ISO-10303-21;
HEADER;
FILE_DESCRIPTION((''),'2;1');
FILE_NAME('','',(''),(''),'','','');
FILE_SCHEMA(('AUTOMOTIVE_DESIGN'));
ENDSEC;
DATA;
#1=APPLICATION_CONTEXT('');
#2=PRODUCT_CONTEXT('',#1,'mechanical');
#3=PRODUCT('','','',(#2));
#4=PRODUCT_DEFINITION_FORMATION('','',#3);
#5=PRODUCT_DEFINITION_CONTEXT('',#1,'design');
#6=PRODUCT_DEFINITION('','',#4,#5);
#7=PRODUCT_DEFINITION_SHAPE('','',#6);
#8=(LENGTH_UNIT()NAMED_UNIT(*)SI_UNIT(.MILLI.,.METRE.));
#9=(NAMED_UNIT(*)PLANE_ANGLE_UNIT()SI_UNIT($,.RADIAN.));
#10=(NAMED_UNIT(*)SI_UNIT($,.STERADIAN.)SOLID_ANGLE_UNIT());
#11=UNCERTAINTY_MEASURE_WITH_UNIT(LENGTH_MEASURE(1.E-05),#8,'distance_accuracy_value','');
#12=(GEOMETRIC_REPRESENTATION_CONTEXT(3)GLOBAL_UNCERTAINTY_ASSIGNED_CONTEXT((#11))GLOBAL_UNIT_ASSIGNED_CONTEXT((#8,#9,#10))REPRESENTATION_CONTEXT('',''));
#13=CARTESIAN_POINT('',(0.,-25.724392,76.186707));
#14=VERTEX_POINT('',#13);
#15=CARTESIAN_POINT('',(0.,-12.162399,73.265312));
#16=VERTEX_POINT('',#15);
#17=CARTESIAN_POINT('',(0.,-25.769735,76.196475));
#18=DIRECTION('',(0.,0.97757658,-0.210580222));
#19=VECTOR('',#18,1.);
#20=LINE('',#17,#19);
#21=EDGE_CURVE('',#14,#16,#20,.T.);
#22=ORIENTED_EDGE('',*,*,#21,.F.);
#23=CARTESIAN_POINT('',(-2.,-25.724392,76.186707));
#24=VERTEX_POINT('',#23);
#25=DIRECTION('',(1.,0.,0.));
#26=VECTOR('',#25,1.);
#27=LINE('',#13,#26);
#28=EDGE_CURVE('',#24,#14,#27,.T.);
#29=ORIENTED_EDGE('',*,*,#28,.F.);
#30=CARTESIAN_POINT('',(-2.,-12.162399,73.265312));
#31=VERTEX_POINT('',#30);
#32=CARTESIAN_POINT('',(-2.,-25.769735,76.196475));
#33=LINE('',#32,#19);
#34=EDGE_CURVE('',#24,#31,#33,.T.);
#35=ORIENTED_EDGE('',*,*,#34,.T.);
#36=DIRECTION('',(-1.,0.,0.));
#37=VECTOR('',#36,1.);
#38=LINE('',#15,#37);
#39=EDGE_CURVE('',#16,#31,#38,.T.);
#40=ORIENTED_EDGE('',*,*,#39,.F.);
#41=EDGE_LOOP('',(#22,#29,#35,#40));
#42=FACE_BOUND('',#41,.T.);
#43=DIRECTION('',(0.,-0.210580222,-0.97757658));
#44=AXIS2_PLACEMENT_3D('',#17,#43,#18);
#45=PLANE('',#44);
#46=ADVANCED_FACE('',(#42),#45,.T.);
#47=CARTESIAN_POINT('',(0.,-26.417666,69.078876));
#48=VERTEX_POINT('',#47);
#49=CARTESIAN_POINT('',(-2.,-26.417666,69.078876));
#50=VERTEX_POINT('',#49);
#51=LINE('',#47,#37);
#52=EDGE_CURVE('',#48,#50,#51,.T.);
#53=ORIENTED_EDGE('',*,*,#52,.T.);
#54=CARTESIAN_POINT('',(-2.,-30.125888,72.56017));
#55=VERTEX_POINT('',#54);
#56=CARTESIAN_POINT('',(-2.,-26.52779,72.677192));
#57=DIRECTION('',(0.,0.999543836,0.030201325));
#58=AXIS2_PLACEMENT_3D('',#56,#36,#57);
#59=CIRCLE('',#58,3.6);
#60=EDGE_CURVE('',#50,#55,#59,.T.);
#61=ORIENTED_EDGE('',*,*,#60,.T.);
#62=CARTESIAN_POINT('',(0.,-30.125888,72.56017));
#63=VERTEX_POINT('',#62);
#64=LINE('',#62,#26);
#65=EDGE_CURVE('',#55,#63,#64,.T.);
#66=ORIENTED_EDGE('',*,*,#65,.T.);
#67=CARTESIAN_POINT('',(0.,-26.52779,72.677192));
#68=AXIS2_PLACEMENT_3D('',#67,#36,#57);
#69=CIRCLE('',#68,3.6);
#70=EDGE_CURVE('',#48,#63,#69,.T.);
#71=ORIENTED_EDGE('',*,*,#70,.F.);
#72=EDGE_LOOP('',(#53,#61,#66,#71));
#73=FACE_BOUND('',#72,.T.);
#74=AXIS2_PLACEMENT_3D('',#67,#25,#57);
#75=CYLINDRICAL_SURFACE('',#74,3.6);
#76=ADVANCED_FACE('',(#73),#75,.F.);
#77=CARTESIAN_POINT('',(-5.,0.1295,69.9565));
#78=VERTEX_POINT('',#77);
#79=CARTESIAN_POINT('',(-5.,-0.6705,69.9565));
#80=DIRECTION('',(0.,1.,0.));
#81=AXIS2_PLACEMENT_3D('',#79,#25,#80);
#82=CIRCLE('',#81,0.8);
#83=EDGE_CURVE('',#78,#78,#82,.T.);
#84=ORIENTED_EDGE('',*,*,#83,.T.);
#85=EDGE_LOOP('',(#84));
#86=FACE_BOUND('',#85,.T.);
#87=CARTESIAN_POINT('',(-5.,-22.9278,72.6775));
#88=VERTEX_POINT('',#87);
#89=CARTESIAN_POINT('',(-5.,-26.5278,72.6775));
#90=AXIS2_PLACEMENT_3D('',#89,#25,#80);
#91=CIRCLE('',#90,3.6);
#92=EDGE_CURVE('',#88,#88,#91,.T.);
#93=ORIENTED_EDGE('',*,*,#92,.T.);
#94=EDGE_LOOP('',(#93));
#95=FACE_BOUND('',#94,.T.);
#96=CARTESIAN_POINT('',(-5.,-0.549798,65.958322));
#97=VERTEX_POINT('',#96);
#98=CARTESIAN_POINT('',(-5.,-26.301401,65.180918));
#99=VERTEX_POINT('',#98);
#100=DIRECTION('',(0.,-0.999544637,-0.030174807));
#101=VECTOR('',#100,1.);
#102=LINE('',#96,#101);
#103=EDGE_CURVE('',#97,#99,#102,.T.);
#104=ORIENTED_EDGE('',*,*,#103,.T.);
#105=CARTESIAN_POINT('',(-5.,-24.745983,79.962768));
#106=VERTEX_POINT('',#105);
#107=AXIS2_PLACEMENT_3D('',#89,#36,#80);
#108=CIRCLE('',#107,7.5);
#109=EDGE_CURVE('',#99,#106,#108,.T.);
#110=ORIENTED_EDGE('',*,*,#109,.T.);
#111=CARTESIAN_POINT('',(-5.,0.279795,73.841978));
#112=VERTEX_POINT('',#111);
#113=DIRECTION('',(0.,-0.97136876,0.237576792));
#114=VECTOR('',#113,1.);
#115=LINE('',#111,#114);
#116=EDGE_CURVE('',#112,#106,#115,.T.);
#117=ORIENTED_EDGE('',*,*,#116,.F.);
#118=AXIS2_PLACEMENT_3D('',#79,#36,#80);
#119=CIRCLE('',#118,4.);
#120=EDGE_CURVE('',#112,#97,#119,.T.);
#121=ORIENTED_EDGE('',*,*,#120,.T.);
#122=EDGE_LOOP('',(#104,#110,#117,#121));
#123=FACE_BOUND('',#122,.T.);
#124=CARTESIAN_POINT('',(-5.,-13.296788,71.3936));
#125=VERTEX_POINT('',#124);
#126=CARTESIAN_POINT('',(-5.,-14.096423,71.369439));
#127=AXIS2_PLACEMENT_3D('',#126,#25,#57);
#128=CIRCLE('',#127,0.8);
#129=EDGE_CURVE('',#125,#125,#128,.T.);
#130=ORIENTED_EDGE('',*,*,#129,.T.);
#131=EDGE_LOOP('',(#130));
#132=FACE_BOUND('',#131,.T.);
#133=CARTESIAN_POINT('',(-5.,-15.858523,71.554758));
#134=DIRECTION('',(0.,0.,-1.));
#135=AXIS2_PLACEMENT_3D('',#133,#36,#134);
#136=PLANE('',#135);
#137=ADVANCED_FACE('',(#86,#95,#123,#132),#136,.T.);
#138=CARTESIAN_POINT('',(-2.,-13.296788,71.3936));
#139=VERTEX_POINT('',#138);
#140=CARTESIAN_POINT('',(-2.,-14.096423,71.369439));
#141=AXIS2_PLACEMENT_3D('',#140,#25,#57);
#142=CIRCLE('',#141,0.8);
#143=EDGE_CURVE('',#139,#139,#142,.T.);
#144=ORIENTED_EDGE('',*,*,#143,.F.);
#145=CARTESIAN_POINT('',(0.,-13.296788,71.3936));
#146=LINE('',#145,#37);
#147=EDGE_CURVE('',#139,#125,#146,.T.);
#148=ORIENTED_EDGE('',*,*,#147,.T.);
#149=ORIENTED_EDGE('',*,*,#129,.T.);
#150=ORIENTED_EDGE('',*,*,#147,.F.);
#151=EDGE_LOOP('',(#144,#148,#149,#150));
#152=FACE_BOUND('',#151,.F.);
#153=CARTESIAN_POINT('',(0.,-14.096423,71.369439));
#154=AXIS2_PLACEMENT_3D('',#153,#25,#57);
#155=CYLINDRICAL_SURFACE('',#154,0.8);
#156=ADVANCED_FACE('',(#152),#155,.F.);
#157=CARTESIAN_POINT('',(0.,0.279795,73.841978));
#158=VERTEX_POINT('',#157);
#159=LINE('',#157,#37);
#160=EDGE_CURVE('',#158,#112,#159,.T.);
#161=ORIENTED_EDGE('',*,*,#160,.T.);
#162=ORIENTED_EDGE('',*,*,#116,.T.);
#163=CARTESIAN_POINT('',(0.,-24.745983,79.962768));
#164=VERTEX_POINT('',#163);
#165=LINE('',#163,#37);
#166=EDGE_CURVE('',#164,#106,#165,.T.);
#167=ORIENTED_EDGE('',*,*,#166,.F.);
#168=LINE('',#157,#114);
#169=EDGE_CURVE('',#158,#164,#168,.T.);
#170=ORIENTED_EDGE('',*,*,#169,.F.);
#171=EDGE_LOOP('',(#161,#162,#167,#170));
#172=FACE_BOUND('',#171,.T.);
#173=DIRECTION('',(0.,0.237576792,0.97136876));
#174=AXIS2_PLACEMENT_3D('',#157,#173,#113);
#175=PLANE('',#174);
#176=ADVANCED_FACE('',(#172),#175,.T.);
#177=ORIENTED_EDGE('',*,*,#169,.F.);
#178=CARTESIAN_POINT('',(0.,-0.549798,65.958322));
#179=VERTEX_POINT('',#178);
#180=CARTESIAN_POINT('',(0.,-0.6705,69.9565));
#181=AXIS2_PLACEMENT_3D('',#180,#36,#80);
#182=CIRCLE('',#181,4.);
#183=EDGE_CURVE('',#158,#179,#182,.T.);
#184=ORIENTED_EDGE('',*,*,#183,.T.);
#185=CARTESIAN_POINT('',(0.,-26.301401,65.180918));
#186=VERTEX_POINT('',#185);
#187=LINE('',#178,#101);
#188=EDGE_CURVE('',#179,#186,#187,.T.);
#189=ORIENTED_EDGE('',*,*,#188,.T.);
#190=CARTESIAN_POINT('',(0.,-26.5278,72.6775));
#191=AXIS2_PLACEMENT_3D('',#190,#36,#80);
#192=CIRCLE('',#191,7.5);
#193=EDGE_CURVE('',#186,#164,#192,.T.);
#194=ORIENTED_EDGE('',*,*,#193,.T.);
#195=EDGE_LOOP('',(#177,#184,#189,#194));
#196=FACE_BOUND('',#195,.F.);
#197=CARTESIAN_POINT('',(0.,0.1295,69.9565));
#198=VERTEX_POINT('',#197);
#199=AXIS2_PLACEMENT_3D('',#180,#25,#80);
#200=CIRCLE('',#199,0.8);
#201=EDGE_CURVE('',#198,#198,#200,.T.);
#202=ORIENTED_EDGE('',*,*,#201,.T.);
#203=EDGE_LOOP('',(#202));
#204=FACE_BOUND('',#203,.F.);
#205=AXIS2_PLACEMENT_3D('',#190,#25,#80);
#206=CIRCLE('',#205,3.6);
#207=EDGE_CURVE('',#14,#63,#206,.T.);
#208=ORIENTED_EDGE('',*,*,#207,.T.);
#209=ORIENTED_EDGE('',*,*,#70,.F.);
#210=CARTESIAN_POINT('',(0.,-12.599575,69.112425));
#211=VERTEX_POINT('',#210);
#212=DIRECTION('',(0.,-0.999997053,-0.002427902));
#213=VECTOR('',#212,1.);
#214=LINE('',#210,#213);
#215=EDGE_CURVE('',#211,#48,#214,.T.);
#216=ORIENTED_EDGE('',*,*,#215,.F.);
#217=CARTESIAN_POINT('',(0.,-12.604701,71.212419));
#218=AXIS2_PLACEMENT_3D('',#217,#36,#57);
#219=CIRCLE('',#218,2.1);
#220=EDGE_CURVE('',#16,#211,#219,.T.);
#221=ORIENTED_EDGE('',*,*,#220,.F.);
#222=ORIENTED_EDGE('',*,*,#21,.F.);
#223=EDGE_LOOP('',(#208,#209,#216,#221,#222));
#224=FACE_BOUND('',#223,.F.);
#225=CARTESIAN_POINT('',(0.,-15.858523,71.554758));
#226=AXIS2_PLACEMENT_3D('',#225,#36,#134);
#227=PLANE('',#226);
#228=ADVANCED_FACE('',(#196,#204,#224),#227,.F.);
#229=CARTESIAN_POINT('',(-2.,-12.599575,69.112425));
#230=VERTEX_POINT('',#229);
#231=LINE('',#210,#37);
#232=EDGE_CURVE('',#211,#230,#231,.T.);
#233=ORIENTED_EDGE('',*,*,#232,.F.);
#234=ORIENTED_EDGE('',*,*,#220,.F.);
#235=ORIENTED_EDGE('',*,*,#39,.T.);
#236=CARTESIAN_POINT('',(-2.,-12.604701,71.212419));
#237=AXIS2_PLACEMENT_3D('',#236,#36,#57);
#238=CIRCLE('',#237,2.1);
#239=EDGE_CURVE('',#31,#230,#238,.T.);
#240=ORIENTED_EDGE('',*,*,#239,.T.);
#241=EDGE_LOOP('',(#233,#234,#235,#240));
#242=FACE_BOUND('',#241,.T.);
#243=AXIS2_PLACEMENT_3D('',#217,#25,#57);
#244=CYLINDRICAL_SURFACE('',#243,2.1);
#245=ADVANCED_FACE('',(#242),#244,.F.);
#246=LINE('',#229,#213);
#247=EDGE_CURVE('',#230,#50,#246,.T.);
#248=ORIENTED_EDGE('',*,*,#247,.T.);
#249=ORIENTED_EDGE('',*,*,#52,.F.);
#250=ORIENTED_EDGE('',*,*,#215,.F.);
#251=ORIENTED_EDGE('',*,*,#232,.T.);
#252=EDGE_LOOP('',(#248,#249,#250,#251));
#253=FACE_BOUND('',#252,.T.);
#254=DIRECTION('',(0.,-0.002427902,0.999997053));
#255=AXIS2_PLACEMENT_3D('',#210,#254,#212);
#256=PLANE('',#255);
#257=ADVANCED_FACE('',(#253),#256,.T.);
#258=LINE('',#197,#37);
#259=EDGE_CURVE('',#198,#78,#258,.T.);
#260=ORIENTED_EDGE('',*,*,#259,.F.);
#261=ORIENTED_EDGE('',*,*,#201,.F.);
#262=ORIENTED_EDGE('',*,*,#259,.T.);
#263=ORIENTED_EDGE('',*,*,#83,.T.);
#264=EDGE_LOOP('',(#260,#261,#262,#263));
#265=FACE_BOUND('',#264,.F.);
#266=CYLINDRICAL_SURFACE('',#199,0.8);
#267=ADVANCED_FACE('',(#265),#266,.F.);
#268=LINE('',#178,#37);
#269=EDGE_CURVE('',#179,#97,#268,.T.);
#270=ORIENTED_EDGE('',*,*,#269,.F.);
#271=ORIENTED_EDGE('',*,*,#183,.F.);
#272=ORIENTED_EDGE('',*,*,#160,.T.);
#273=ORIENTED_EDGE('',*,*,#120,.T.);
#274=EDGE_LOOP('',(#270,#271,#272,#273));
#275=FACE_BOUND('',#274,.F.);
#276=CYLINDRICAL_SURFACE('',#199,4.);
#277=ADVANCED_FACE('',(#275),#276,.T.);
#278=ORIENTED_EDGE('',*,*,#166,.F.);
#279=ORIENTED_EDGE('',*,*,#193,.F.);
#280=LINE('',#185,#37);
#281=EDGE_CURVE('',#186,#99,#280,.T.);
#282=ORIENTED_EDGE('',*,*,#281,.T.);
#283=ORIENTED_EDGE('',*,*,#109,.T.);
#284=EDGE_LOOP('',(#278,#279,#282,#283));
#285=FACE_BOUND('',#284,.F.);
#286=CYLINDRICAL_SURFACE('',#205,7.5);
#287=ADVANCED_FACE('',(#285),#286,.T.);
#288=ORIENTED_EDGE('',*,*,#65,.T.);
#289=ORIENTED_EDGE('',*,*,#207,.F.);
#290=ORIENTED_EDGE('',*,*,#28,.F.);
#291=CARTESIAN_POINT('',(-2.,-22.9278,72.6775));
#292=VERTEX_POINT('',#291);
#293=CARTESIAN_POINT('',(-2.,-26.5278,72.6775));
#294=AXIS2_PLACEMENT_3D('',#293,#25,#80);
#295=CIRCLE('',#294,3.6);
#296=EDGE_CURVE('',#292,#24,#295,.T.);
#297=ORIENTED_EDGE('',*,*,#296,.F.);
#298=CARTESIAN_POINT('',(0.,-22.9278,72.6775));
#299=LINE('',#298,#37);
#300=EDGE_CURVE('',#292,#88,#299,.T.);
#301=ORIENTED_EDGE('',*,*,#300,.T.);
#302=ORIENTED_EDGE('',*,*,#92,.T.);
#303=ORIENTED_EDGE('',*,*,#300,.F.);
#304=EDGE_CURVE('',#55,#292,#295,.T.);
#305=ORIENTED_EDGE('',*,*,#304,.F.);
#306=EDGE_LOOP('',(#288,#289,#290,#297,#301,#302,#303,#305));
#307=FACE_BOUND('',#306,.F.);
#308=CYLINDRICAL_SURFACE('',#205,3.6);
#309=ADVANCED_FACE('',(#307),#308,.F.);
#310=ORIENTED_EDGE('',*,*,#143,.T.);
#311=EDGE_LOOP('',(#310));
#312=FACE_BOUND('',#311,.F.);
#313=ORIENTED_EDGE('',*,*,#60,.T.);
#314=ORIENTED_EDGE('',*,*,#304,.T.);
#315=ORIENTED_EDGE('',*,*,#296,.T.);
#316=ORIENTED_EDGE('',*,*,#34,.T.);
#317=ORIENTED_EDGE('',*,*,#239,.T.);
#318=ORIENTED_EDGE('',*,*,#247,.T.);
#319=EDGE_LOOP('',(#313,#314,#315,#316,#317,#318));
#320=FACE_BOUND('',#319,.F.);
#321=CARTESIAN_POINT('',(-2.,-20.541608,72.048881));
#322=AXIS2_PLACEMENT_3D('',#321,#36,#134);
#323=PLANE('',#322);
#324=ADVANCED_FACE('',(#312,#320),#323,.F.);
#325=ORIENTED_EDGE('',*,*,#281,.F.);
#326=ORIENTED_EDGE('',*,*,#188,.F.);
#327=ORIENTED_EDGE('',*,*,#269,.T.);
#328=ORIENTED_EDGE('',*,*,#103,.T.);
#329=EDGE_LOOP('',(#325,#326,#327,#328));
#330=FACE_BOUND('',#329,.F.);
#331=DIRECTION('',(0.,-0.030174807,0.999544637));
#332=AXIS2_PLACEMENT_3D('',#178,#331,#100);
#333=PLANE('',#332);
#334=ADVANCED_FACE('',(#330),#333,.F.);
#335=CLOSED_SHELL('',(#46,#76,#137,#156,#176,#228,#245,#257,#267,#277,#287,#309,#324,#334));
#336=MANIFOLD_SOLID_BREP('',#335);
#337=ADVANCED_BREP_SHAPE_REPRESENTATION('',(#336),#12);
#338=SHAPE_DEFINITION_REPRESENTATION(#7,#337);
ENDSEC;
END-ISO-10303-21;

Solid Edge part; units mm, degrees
sketch "Sketch1" plane through (0, 0, 0) normal (1, 0, 0) x (0, 1, 0)
  circle A0 centre (-26.5278, 72.6775) radius 3.6
  line L0 (-0.5498, 65.9584) -> (-26.3014, 65.1809)
  line L1 (0.2798, 73.842) -> (-24.746, 79.9627)
  arc A1 (0.2798, 73.842) -> (-0.5498, 65.9583) centre (-0.6705, 69.9565) cw
  arc A2 (-26.3014, 65.1809) -> (-24.746, 79.9628) centre (-26.5278, 72.6775) cw
  circle A3 centre (-0.6705, 69.9565) radius 0.8
extrude "Protrusion1" add sketch "Sketch1" against normal blind 5
sketch "Sketch2" plane through (0, -15.3492, 72.6775) normal (1, 0, 0) x (0, 0.9995, 0.0302)
  circle A0 centre (1.2127, -1.3453) radius 0.8
extrude "Cutout1" cut sketch "Sketch2" against normal up to next
sketch "Sketch3" plane through (0, -15.3492, 72.6775) normal (1, 0, 0) x (0, 0.9995, 0.0302)
  line L0 (-10.3095, 3.8321) -> (3.2031, 0.4913)
  arc A0 (3.2031, 0.4913) -> (2.6407, -3.6465) centre (2.699, -1.5473) cw
  line L1 (2.6407, -3.6465) -> (-11.1721, -3.2627)
  arc A1 (-11.1721, -3.2627) -> (-10.3095, 3.8321) centre (-11.1735, 0.3373) cw
extrude "Cutout2" cut sketch "Sketch3" against normal blind 2
